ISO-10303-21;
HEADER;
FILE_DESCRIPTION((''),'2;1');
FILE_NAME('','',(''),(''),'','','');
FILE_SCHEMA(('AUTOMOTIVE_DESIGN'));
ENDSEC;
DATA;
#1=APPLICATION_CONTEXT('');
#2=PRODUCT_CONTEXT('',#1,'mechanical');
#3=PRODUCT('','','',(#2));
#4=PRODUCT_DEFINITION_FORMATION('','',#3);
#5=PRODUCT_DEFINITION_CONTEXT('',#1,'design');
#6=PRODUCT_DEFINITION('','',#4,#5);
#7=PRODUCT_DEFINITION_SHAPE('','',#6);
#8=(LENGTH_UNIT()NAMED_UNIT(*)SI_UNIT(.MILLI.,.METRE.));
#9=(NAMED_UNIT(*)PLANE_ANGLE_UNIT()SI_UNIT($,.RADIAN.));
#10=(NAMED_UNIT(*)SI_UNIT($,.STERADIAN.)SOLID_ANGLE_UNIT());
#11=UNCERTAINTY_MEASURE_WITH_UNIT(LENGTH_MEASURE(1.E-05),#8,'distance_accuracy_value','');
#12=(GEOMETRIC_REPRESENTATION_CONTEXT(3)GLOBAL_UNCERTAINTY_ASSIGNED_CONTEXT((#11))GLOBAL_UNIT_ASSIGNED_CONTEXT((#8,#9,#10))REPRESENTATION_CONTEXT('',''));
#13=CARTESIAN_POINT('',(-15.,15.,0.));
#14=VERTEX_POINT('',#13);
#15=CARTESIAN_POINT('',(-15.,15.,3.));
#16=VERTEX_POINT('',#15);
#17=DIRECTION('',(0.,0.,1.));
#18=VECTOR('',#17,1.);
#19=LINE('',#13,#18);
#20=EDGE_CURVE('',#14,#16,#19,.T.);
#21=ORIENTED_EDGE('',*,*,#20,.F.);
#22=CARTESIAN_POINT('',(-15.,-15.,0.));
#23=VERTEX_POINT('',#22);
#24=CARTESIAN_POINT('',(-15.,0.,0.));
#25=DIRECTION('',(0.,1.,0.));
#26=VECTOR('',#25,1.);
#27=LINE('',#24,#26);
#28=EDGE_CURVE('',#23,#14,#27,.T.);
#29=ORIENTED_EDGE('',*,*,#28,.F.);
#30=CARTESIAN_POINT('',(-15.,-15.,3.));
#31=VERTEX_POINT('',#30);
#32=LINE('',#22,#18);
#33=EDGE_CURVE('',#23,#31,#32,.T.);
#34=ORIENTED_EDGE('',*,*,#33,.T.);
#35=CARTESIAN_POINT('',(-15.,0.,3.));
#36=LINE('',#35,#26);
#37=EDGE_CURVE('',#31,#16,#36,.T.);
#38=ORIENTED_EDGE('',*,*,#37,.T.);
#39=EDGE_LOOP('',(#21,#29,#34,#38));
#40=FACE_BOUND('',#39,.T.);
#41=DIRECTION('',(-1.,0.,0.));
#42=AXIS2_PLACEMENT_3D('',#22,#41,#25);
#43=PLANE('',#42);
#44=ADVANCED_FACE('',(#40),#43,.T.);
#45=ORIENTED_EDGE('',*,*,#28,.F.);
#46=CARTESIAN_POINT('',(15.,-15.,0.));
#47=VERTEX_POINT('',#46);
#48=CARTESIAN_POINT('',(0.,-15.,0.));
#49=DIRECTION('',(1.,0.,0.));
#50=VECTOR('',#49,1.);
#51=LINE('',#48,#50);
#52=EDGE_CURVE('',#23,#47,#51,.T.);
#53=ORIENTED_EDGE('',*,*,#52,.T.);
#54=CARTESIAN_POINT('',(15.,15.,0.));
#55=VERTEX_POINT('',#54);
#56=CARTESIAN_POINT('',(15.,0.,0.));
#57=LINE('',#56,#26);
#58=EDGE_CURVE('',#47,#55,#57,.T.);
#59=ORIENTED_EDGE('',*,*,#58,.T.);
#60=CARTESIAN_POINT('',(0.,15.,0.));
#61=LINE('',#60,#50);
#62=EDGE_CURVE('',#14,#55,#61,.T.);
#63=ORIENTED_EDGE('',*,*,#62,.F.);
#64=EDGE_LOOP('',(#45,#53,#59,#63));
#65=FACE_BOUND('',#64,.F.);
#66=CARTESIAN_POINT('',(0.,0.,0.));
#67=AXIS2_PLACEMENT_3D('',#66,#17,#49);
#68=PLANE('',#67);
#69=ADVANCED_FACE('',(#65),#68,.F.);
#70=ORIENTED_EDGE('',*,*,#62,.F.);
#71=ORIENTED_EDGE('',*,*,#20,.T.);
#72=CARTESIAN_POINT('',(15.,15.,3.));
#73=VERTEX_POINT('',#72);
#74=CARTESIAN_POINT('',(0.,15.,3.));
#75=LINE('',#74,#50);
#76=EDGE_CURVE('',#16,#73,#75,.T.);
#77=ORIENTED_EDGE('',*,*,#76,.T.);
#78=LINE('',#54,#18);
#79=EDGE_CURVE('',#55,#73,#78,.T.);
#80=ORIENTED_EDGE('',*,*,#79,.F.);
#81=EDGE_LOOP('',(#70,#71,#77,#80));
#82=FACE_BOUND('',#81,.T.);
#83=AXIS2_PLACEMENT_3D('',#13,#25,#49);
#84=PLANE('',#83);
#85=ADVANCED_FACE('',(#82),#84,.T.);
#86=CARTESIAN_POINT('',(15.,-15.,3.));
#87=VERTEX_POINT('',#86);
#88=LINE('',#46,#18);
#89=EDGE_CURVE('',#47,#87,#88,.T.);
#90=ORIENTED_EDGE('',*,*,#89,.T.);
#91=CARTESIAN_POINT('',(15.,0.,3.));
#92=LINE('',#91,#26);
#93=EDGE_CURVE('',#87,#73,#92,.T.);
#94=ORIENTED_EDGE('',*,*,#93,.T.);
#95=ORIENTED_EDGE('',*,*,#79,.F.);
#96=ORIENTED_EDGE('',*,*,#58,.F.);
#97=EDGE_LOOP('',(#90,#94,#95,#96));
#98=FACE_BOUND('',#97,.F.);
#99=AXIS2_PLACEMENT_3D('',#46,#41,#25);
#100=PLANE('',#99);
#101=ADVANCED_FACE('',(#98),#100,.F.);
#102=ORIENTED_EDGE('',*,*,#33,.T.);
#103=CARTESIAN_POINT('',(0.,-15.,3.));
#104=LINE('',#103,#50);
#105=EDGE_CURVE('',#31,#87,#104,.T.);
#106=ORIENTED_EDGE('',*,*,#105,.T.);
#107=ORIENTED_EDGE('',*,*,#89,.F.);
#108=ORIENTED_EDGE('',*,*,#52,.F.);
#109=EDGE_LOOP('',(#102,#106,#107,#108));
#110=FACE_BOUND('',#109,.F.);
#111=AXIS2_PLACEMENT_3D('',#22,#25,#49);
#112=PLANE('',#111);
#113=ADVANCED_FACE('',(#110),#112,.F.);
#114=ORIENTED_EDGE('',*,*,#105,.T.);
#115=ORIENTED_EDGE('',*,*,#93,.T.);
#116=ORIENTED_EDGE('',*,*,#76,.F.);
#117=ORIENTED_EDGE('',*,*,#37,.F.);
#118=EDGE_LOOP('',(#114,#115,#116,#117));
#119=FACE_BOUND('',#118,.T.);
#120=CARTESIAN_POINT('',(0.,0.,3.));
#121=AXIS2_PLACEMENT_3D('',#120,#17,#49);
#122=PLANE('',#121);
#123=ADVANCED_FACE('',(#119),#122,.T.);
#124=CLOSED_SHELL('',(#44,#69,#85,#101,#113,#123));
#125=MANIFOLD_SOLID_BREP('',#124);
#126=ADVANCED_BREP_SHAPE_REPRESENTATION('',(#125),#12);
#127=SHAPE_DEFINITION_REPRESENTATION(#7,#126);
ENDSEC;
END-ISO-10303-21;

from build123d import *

# Parameters (mm, degrees)
SKETCH_W  = 30
SKETCH_H  = 30
PAD_DEPTH = 3


with BuildPart() as part:
    # Sketch → Pad (new body)
    with BuildSketch(Plane.XY):
        Rectangle(SKETCH_W, SKETCH_H)
    extrude(amount=PAD_DEPTH)


solid = part.part
